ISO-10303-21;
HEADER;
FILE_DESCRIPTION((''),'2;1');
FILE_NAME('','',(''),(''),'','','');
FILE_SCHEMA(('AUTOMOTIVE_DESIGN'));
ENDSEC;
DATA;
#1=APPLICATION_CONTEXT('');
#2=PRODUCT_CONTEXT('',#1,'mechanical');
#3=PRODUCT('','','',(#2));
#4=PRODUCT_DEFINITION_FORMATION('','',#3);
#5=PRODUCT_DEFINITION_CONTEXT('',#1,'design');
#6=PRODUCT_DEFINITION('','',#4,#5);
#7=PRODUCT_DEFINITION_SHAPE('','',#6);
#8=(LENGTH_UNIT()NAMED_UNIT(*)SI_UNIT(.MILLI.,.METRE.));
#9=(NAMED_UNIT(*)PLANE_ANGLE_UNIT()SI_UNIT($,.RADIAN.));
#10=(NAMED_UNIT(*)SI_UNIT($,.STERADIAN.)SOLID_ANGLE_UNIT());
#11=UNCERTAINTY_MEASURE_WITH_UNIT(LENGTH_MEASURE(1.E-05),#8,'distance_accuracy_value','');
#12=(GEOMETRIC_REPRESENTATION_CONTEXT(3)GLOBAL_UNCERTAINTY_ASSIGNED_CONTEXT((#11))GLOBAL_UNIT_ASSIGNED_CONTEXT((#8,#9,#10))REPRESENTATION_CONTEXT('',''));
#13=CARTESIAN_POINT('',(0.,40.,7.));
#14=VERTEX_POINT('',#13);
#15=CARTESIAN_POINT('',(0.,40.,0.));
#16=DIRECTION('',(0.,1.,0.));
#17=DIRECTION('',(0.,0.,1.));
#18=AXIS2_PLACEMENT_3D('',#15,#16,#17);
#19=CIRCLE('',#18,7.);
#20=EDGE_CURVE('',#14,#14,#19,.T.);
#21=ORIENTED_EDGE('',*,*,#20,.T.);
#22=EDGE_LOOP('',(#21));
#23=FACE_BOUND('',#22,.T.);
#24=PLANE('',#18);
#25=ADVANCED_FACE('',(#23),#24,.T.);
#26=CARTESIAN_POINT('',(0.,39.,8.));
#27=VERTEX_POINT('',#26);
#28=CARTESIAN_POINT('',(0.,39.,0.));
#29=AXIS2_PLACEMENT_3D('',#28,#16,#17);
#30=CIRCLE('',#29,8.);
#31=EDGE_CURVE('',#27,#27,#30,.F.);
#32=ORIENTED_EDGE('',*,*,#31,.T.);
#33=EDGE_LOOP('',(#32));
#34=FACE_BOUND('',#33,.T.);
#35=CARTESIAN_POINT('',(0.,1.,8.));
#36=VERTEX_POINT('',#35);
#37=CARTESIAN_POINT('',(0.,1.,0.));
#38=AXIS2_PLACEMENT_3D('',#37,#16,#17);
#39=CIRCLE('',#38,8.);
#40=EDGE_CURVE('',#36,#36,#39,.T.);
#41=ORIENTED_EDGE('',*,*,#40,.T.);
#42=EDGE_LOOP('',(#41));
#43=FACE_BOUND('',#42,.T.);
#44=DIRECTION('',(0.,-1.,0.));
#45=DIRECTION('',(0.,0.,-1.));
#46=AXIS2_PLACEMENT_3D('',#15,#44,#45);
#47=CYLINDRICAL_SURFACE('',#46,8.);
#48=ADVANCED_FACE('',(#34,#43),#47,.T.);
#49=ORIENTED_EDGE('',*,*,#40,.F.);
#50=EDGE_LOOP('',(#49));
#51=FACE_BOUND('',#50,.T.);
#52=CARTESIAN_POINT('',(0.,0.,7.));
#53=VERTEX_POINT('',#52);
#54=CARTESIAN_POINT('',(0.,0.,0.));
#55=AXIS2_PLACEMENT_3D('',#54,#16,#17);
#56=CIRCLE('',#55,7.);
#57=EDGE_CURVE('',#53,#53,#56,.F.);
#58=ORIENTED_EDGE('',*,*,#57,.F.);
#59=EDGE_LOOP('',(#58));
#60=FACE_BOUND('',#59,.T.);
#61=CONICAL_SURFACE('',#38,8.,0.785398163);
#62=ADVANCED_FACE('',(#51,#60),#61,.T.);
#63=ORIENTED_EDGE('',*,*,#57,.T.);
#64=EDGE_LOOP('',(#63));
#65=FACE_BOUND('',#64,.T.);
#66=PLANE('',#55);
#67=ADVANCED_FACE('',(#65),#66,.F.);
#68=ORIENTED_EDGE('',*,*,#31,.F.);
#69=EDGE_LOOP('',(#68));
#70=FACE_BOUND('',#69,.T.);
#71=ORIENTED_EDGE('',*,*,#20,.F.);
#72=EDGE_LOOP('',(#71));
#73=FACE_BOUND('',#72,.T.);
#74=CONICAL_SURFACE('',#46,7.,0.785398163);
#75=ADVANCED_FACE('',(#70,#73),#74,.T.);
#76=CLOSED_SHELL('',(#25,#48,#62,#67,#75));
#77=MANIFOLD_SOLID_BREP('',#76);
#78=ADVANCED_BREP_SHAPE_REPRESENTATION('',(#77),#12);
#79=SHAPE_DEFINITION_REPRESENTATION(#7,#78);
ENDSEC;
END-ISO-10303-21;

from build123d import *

# Parameters (mm, degrees)
SKETCH_1_R      = 8
EXTRUDE_1_DEPTH = 40
CHAMFER_1_SIZE  = 1


with BuildPart() as part:
    # 草图1 → 凸台-拉伸1 (new body)
    with BuildSketch(Plane(origin=(0, 0, 0), x_dir=(1, 0, 0), z_dir=(0, 1, 0))):
        with Locations(Location((0, 0, 0), (0, 0, 270))):
            Circle(SKETCH_1_R)
    extrude(amount=EXTRUDE_1_DEPTH)

    # 倒角1
    chamfer_1_edges = [part.edges().sort_by_distance(p)[0] for p in [
        (0, 0, -8),
        (0, 40, -8),
    ]]
    chamfer(chamfer_1_edges, length=CHAMFER_1_SIZE)


solid = part.part
